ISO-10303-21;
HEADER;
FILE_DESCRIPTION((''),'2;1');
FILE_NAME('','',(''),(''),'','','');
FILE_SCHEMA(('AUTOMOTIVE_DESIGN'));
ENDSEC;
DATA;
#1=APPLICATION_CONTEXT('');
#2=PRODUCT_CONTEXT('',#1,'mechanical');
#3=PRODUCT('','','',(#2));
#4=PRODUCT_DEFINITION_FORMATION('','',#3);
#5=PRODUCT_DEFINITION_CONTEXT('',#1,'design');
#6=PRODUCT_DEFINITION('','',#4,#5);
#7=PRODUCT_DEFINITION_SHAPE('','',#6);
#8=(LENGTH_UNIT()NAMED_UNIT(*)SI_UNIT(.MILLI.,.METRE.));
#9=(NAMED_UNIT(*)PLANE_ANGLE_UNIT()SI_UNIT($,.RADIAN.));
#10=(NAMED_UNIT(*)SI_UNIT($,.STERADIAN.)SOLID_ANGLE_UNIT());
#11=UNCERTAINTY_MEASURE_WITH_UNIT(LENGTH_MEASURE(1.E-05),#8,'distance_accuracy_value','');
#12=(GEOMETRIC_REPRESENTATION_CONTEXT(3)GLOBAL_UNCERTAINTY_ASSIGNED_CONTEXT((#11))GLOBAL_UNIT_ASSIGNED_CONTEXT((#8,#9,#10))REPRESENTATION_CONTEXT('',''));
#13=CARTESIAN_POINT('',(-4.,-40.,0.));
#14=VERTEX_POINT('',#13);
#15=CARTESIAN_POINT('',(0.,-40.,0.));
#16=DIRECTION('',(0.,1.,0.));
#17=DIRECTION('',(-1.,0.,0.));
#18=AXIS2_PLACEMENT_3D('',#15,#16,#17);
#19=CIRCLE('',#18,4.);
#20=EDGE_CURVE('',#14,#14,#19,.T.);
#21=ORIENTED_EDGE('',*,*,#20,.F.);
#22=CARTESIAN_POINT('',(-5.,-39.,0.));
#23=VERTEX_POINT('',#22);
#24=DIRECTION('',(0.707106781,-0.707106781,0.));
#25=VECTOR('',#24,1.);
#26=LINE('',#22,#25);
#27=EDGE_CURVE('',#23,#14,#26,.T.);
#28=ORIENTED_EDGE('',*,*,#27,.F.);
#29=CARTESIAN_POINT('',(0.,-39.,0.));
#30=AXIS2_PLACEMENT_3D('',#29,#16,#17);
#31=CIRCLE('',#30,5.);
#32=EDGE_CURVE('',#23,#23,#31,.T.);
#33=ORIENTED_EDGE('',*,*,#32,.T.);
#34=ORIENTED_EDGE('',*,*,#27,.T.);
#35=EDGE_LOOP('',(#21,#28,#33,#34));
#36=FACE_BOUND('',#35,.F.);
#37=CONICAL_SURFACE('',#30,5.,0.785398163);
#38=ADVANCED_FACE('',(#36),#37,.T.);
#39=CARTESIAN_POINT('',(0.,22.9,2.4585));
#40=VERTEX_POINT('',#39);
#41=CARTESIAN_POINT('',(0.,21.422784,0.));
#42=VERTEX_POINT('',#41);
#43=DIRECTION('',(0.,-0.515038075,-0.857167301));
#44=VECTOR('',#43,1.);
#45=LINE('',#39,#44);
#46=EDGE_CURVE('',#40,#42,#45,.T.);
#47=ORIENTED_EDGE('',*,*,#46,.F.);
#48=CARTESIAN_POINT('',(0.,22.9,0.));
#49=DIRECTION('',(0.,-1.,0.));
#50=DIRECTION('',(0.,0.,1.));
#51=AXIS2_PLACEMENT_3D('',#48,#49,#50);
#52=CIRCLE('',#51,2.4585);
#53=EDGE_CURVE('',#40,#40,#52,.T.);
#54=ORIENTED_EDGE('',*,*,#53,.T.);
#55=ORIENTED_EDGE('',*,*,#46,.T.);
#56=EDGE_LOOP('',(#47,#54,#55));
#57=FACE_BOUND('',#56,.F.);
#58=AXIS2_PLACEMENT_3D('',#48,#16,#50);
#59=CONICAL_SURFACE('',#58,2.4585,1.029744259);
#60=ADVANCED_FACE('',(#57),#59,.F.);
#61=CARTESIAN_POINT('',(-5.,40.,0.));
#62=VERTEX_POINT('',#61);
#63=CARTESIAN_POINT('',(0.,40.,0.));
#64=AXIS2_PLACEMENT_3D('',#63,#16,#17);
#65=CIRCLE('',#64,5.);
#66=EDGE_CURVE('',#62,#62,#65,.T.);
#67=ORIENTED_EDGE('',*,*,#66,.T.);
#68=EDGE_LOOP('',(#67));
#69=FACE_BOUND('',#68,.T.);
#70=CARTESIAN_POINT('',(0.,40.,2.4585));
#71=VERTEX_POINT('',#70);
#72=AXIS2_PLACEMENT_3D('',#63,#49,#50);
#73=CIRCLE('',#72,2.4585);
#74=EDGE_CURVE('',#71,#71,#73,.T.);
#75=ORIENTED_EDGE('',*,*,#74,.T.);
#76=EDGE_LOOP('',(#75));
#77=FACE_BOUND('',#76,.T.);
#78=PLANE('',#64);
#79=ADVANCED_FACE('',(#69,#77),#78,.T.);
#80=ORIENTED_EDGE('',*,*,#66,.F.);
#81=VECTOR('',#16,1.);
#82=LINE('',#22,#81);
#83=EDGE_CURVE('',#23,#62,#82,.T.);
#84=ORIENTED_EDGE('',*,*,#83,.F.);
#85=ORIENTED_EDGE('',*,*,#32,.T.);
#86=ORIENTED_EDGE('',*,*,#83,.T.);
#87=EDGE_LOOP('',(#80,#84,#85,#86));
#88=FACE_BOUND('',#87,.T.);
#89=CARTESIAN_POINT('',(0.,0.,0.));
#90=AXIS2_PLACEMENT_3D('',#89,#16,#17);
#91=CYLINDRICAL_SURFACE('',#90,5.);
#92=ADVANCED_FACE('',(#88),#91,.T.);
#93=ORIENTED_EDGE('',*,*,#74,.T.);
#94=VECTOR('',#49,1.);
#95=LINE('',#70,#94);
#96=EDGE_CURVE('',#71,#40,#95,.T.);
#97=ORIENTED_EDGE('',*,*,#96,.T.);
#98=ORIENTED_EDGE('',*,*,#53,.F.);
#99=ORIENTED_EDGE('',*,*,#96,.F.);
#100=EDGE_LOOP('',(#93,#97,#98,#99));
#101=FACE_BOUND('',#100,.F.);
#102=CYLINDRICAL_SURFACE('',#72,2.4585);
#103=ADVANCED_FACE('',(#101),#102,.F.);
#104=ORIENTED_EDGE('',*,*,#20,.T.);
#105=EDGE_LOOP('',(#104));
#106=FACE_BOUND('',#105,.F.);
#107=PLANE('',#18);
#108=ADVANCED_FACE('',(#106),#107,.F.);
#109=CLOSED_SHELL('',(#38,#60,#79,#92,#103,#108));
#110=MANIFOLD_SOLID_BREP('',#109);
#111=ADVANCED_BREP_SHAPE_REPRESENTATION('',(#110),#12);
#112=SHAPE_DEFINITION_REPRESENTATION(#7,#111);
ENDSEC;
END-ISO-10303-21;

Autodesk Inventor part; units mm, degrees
ref_plane "YZ Plane" through (0, 0, 0) normal (1, 0, 0) x (0, 1, 0)
ref_plane "XZ Plane" through (0, 0, 0) normal (0, 1, 0) x (-1, 0, 0)
ref_plane "XY Plane" through (0, 0, 0) normal (0, 0, 1) x (1, 0, 0)
sketch "Sketch1" plane through (0, 0, 0) normal (0, 1, 0) x (-1, 0, 0)
  circle A0 centre (0, 0) radius 5
  dimension "d0" = 10
extrude "Extrusion1" add sketch "Sketch1" along normal mid plane 80
chamfer "Chamfer1" distance 1 angle 45 1 edges at (5, -40, 0)
hole "Hole3" at (0, 40, 0) direction (0, -1, 0) diameter 4.917 depth 17.1 tip angle 118 thread size "M6x1" class "6H" standard "ANSI Metric M Profile"
properties part number "suporte-barra" material "Aluminium AW-7020"
